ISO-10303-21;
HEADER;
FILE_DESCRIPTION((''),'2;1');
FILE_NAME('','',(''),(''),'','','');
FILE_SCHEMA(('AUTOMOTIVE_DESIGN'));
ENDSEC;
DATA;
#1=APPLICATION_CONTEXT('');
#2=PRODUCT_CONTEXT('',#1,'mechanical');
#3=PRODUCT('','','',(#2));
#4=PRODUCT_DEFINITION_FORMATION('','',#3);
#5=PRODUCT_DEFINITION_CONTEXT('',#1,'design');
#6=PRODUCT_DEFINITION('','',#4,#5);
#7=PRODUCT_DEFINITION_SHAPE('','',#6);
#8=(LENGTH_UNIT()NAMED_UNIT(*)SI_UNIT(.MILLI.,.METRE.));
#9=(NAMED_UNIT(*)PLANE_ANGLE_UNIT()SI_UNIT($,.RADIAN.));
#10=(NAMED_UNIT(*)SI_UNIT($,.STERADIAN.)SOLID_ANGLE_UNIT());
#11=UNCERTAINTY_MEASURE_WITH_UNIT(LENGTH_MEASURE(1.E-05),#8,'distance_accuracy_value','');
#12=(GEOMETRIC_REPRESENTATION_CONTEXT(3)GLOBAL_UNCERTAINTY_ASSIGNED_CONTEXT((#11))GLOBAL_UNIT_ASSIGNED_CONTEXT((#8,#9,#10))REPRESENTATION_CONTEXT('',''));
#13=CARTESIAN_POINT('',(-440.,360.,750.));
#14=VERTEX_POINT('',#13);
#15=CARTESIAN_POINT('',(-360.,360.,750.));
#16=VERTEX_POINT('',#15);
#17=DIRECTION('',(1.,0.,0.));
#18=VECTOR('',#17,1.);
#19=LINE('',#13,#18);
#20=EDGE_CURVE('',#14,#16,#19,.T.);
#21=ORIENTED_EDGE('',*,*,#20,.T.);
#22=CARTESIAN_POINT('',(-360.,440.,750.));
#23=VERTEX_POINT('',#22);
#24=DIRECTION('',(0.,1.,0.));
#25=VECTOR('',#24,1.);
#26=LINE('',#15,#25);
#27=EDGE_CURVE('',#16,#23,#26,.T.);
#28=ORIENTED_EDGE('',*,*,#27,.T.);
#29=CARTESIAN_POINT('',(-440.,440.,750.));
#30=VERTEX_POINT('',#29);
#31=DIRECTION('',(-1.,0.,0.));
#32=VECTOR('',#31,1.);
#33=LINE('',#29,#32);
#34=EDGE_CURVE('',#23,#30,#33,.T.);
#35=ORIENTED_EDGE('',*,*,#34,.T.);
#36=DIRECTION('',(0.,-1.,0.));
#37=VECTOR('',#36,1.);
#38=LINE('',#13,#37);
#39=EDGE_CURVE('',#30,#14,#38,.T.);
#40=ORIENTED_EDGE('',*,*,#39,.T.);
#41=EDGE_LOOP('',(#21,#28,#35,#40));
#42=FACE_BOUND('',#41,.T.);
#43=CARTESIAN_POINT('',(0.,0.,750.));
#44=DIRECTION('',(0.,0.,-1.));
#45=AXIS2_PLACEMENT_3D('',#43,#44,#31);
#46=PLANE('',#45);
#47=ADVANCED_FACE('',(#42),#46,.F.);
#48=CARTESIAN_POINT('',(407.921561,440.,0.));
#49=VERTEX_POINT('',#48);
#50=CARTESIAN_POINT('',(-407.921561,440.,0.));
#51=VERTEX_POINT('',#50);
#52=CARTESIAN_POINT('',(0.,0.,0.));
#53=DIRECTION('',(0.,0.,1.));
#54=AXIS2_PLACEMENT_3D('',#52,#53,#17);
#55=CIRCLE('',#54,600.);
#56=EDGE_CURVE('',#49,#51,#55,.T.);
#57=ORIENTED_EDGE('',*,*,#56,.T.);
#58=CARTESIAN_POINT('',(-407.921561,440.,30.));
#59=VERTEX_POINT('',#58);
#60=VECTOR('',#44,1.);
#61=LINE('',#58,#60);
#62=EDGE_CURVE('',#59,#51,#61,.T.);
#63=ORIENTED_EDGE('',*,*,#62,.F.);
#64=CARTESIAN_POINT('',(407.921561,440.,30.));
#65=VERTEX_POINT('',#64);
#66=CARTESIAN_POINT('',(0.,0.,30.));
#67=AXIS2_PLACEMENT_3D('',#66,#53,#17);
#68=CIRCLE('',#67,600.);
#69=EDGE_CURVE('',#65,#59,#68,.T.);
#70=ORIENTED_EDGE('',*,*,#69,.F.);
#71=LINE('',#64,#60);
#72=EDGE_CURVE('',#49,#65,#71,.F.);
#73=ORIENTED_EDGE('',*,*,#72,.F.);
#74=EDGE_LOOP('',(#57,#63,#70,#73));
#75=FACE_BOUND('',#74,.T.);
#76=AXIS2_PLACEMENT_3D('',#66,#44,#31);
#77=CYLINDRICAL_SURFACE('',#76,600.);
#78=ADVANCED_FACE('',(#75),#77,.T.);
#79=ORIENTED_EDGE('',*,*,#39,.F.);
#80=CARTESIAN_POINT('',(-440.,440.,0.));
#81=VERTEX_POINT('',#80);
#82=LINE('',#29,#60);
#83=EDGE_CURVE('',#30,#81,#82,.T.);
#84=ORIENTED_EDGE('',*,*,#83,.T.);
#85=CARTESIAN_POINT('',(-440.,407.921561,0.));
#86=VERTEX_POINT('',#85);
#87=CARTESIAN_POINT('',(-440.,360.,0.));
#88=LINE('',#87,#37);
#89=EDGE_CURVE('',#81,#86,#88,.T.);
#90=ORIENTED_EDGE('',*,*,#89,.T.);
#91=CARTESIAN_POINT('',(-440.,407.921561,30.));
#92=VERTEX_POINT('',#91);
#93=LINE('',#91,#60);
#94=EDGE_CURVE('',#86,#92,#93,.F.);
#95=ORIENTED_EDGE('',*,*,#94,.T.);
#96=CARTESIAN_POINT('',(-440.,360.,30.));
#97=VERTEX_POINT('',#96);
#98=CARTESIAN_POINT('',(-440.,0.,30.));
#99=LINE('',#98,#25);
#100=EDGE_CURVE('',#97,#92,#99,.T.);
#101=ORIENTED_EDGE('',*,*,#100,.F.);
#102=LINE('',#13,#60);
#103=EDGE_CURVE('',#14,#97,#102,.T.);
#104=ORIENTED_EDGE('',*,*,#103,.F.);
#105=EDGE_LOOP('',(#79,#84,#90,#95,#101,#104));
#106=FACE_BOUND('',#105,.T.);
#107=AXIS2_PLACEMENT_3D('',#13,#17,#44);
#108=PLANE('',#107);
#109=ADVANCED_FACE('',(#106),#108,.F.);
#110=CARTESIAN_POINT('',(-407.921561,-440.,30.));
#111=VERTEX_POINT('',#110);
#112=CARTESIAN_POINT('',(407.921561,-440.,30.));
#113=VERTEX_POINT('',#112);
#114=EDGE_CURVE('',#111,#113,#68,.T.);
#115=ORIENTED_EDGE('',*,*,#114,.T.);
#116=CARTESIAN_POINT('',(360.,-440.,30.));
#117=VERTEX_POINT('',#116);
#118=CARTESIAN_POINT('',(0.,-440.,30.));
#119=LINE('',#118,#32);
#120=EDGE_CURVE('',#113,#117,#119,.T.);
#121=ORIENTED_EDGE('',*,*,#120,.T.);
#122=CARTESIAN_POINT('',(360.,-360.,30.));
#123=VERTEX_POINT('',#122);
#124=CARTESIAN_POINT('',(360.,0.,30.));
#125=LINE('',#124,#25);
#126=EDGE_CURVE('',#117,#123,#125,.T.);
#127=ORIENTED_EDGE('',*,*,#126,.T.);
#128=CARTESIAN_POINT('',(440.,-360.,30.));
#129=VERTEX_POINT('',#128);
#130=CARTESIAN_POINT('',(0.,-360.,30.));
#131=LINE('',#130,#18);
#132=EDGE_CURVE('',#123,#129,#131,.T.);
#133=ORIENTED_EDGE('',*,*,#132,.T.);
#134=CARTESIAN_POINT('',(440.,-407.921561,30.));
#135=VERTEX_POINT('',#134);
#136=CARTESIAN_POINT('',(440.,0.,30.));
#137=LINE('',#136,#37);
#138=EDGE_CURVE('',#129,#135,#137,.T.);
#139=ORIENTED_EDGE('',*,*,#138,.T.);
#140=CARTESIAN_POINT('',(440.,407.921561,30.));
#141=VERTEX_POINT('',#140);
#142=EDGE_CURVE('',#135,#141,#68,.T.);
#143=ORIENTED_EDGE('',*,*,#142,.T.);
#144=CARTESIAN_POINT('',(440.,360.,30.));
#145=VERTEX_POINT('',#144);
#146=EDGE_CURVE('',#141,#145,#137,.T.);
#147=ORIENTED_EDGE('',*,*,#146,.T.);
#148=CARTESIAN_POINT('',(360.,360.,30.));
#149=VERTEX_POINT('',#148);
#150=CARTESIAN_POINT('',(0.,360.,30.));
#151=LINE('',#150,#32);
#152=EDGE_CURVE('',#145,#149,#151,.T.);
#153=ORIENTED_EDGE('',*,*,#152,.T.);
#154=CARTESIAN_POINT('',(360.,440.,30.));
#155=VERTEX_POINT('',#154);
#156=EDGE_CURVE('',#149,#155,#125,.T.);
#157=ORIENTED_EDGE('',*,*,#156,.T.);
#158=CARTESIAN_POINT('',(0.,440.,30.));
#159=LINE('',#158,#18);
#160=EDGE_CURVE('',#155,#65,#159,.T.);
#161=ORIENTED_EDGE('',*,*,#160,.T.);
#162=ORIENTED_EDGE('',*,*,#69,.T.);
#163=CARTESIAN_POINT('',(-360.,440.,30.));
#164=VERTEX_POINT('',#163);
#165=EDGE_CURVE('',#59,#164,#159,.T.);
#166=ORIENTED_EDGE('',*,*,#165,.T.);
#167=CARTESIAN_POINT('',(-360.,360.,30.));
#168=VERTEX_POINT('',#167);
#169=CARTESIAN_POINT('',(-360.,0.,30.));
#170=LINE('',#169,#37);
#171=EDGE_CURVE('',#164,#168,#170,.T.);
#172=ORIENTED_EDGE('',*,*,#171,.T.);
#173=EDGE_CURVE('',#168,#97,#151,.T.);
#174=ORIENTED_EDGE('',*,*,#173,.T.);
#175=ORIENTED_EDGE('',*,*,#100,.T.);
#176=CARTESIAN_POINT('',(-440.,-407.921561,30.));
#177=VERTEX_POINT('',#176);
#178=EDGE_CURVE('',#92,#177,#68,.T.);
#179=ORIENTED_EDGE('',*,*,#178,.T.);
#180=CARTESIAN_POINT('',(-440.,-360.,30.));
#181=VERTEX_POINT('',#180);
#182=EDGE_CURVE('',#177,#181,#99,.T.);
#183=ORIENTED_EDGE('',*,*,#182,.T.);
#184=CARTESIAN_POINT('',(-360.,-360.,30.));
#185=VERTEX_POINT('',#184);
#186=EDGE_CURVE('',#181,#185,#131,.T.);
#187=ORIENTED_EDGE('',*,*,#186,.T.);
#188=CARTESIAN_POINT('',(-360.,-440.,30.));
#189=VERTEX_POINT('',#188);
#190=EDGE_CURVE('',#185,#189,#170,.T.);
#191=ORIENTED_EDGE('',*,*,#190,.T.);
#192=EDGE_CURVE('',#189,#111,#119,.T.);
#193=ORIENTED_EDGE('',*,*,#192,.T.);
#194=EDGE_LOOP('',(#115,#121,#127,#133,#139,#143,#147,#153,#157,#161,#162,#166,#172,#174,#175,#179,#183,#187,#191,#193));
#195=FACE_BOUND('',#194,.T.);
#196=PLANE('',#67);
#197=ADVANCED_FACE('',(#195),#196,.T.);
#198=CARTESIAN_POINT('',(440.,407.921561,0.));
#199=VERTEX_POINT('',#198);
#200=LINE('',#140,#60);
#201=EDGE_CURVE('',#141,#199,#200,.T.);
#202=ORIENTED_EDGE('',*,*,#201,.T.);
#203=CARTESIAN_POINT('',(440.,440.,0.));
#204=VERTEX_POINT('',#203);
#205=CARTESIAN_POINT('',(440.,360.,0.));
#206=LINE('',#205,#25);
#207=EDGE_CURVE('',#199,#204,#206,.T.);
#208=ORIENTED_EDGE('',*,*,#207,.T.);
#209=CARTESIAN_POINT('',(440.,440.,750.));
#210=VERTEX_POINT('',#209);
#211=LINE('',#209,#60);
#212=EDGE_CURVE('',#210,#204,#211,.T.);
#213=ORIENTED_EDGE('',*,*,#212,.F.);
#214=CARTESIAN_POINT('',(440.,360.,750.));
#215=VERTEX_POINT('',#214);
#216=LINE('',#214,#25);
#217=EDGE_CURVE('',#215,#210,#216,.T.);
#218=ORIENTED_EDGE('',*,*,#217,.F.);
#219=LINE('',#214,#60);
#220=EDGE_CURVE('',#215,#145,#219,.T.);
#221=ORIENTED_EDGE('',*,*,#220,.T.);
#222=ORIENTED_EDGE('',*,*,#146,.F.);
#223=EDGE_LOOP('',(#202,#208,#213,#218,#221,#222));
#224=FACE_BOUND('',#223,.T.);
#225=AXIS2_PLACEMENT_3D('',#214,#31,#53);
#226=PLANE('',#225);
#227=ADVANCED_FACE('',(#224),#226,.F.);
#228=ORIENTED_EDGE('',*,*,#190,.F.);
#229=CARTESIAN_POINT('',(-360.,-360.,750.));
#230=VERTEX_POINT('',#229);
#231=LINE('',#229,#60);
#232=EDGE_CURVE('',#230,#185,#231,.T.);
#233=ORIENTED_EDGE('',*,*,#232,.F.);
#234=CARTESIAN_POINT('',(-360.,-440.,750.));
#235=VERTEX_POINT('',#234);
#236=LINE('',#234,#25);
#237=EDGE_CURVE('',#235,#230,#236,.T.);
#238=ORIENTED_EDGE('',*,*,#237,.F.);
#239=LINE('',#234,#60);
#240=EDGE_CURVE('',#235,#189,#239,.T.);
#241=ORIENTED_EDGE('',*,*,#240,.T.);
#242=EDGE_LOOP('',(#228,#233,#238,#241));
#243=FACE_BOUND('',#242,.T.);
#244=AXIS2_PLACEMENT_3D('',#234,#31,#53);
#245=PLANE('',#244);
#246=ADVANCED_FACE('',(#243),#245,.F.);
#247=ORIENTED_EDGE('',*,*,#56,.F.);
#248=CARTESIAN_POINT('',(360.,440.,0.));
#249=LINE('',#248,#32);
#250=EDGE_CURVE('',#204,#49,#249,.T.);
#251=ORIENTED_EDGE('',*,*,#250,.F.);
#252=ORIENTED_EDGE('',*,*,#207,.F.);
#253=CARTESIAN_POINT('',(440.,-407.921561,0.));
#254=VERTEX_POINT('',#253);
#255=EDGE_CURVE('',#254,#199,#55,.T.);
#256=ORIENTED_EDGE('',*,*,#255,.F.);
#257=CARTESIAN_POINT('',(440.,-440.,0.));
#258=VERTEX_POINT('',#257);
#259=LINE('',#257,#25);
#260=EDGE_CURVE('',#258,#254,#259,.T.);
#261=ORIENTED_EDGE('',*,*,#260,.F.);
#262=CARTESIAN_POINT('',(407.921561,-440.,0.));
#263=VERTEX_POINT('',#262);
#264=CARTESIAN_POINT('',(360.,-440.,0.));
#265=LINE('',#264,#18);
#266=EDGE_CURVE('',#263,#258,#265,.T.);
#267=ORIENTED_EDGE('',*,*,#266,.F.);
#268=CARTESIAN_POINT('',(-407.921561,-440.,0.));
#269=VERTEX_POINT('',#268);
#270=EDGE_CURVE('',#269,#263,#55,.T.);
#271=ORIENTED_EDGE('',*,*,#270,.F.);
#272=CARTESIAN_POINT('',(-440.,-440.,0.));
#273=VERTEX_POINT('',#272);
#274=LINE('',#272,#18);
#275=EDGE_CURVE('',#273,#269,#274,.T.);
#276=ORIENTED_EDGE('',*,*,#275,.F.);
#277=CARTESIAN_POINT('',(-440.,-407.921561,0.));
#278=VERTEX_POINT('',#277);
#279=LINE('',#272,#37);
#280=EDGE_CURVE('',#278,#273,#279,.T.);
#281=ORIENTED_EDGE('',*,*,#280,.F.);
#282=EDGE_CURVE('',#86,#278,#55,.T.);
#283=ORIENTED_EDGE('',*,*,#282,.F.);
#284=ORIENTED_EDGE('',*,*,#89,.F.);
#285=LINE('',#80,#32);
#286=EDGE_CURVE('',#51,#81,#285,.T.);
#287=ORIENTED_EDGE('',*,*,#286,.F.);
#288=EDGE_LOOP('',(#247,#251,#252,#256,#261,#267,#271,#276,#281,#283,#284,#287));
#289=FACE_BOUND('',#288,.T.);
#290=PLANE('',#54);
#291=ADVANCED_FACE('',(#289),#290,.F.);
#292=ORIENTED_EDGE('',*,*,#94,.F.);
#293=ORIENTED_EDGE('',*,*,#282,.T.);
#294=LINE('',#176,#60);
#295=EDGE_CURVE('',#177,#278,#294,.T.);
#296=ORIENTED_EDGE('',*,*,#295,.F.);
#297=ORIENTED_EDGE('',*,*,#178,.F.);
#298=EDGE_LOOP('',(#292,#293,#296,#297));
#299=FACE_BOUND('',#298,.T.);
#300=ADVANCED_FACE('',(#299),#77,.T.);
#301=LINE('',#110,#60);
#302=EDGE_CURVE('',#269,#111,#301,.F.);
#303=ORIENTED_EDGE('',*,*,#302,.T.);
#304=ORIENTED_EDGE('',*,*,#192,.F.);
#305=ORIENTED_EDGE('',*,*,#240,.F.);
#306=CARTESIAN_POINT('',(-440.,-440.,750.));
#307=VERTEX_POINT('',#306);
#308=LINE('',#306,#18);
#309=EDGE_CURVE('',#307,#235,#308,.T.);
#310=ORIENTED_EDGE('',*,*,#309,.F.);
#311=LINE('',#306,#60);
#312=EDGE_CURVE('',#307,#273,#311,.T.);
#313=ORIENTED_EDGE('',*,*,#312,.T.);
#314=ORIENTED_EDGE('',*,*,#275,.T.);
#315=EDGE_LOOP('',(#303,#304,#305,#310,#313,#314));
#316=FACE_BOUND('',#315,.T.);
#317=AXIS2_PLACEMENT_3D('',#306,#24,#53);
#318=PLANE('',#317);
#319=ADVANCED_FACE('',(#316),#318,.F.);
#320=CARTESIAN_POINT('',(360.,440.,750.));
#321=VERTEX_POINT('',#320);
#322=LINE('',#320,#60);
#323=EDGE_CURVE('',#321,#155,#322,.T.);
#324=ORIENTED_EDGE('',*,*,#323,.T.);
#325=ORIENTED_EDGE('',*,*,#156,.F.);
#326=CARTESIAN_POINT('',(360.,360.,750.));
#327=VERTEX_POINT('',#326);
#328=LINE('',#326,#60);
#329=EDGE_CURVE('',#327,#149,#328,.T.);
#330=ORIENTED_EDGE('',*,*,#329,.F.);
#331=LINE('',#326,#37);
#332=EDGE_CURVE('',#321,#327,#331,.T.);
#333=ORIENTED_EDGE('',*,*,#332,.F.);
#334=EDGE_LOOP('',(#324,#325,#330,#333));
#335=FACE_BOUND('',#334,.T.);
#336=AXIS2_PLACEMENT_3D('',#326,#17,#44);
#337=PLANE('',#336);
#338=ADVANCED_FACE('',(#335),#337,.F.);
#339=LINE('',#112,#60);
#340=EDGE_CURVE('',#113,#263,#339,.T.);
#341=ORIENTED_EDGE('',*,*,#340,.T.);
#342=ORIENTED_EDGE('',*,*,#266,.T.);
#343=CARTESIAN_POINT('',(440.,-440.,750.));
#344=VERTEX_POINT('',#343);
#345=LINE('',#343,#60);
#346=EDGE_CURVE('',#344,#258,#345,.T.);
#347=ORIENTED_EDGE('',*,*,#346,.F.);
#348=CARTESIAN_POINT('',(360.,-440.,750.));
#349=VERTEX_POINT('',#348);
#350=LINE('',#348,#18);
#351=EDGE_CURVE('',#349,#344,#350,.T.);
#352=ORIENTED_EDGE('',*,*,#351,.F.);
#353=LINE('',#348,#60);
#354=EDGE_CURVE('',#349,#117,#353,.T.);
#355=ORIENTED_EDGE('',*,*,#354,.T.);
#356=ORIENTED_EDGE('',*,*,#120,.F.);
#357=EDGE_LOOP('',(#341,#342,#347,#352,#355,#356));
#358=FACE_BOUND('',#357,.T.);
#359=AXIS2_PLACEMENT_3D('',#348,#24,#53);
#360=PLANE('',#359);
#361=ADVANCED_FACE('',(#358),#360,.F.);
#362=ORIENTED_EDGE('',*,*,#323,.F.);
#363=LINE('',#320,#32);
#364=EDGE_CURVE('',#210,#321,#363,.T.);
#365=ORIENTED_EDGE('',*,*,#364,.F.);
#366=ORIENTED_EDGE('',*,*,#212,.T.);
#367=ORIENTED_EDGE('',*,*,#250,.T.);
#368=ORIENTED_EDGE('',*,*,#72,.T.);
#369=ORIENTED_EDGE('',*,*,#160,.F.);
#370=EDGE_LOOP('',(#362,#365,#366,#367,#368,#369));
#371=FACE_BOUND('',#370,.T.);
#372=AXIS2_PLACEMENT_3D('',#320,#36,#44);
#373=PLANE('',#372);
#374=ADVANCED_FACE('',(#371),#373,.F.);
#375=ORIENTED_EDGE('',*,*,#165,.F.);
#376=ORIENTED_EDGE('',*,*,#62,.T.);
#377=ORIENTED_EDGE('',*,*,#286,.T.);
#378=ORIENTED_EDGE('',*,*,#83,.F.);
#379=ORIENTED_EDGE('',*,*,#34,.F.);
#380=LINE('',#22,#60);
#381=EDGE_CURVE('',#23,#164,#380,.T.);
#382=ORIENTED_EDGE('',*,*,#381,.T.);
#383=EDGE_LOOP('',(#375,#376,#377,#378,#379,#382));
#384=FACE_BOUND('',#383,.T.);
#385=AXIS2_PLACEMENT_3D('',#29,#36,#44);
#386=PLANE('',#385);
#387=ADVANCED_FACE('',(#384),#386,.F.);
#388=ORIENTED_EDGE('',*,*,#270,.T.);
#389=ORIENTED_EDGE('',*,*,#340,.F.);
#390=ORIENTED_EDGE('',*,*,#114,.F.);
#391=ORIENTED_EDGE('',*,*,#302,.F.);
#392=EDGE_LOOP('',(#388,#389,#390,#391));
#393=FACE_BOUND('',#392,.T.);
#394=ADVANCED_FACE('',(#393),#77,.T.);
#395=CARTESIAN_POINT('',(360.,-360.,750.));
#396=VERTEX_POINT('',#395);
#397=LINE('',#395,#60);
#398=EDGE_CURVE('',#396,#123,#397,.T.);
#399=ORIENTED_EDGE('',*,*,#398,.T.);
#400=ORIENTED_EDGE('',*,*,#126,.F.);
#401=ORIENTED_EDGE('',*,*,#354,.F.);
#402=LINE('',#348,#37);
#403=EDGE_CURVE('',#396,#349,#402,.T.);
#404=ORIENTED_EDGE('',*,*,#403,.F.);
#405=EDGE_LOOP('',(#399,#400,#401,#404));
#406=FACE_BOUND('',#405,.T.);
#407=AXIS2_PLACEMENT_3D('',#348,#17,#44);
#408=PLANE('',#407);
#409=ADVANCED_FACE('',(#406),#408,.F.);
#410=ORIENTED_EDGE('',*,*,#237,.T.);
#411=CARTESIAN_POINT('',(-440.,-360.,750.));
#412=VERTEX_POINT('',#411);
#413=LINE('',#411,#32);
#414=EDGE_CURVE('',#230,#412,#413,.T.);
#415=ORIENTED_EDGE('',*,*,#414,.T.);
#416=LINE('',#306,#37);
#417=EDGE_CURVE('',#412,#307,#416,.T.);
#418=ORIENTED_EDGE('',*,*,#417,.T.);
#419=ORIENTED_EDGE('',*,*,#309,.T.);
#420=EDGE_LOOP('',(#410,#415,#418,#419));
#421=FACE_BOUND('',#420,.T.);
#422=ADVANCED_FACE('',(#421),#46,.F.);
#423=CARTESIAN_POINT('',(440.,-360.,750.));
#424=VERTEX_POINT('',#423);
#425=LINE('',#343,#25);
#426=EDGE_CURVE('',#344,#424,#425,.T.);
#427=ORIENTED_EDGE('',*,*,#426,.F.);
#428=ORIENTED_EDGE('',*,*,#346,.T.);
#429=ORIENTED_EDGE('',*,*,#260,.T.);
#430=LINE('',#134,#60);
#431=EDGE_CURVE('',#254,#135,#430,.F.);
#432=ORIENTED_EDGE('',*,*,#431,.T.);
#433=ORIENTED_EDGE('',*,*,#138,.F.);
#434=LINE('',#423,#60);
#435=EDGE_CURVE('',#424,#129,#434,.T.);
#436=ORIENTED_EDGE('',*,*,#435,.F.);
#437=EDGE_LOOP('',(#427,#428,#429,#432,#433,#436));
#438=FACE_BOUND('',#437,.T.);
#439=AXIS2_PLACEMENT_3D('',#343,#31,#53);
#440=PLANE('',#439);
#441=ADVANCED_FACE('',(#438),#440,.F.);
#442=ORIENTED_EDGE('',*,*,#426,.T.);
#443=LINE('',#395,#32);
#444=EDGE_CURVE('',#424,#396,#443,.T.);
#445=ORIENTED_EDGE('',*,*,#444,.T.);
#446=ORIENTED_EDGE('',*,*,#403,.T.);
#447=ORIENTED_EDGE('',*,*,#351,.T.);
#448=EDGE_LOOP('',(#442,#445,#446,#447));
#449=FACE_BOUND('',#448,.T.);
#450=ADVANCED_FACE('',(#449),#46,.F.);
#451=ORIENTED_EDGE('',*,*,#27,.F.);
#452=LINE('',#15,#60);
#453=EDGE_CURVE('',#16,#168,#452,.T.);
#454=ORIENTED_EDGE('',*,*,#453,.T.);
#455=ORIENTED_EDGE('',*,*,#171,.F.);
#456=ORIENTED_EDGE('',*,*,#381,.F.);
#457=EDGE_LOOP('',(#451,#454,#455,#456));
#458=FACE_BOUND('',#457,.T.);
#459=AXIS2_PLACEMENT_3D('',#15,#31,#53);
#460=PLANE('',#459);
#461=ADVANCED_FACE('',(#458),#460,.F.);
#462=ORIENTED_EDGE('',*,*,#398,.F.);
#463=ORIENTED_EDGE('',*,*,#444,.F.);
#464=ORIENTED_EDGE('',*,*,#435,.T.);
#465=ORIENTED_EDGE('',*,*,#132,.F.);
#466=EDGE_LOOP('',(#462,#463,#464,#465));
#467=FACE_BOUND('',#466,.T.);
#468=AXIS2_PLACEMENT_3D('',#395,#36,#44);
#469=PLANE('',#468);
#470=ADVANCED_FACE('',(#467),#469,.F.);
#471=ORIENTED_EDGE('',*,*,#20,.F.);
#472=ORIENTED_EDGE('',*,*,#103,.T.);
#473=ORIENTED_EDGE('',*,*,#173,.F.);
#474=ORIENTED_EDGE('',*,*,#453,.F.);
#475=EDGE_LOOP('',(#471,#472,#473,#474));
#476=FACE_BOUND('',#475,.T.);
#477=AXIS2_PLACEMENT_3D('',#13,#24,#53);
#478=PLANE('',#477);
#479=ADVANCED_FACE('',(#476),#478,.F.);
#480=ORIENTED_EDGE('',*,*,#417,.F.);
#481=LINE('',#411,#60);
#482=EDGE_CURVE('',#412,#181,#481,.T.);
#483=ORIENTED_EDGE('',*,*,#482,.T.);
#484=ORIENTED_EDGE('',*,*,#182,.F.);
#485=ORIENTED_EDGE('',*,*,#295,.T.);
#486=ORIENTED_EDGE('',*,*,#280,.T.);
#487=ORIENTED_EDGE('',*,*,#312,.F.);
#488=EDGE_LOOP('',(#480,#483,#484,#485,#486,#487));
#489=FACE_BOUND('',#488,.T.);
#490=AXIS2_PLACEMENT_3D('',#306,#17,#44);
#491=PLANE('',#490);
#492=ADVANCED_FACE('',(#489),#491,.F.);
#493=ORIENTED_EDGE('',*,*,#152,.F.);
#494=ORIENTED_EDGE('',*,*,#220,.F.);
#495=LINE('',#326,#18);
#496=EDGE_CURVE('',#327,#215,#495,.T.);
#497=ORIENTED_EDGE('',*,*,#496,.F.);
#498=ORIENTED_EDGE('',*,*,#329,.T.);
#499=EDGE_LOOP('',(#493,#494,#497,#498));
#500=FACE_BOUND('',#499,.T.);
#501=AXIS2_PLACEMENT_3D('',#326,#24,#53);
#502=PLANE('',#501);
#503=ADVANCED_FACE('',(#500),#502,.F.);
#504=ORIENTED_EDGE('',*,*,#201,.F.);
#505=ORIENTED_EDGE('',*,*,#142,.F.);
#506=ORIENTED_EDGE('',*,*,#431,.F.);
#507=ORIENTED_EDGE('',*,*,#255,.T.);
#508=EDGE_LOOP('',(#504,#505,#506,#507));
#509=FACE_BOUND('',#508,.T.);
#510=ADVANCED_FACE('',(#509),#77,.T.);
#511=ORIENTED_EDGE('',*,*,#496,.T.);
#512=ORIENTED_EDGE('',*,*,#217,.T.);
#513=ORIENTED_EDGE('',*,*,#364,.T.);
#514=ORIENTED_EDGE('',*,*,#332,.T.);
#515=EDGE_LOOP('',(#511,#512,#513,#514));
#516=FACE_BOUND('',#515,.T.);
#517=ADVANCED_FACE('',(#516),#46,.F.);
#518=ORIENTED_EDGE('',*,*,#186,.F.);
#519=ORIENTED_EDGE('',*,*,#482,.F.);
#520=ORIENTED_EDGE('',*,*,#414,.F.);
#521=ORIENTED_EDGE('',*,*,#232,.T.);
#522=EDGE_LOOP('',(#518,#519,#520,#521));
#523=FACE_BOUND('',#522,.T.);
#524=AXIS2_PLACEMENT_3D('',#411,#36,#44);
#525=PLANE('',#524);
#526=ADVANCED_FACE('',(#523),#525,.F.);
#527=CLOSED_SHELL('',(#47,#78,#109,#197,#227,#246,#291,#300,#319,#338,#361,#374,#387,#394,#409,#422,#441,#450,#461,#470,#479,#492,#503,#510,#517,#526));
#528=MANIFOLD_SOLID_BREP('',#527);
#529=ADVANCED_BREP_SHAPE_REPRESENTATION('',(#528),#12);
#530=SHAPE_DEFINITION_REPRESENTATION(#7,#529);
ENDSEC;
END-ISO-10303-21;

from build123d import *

# Parameters (mm, degrees)
SKETCH_1_R      = 600
EXTRUDE_1_DEPTH = 30
SKETCH_2_W      = 80
SKETCH_2_H      = 80
EXTRUDE_2_DEPTH = 750
SKETCH_3_W      = 80
SKETCH_3_H      = 80
EXTRUDE_3_DEPTH = 750
SKETCH_4_W      = 80
SKETCH_4_H      = 80
EXTRUDE_4_DEPTH = 750
SKETCH_5_W      = 80
SKETCH_5_H      = 80
EXTRUDE_5_DEPTH = 750


with BuildPart() as part:
    # 草图1 → 凸台-拉伸1 (new body)
    with BuildSketch(Plane.XY):
        Circle(SKETCH_1_R)
    extrude(amount=EXTRUDE_1_DEPTH)

    # 草图2 → 凸台-拉伸2 (add)
    with BuildSketch(Plane.XY):
        with Locations((-400, -400)):
            Rectangle(SKETCH_2_W, SKETCH_2_H)
    extrude(amount=EXTRUDE_2_DEPTH)

    # 草图3 → 凸台-拉伸3 (add)
    with BuildSketch(Plane.XY):
        with Locations((400, -400)):
            Rectangle(SKETCH_3_W, SKETCH_3_H)
    extrude(amount=EXTRUDE_3_DEPTH)

    # 草图4 → 凸台-拉伸4 (add)
    with BuildSketch(Plane.XY):
        with Locations((-400, 400)):
            Rectangle(SKETCH_4_W, SKETCH_4_H)
    extrude(amount=EXTRUDE_4_DEPTH)

    # 草图5 → 凸台-拉伸5 (add)
    with BuildSketch(Plane.XY):
        with Locations((400, 400)):
            Rectangle(SKETCH_5_W, SKETCH_5_H)
    extrude(amount=EXTRUDE_5_DEPTH)


solid = part.part
